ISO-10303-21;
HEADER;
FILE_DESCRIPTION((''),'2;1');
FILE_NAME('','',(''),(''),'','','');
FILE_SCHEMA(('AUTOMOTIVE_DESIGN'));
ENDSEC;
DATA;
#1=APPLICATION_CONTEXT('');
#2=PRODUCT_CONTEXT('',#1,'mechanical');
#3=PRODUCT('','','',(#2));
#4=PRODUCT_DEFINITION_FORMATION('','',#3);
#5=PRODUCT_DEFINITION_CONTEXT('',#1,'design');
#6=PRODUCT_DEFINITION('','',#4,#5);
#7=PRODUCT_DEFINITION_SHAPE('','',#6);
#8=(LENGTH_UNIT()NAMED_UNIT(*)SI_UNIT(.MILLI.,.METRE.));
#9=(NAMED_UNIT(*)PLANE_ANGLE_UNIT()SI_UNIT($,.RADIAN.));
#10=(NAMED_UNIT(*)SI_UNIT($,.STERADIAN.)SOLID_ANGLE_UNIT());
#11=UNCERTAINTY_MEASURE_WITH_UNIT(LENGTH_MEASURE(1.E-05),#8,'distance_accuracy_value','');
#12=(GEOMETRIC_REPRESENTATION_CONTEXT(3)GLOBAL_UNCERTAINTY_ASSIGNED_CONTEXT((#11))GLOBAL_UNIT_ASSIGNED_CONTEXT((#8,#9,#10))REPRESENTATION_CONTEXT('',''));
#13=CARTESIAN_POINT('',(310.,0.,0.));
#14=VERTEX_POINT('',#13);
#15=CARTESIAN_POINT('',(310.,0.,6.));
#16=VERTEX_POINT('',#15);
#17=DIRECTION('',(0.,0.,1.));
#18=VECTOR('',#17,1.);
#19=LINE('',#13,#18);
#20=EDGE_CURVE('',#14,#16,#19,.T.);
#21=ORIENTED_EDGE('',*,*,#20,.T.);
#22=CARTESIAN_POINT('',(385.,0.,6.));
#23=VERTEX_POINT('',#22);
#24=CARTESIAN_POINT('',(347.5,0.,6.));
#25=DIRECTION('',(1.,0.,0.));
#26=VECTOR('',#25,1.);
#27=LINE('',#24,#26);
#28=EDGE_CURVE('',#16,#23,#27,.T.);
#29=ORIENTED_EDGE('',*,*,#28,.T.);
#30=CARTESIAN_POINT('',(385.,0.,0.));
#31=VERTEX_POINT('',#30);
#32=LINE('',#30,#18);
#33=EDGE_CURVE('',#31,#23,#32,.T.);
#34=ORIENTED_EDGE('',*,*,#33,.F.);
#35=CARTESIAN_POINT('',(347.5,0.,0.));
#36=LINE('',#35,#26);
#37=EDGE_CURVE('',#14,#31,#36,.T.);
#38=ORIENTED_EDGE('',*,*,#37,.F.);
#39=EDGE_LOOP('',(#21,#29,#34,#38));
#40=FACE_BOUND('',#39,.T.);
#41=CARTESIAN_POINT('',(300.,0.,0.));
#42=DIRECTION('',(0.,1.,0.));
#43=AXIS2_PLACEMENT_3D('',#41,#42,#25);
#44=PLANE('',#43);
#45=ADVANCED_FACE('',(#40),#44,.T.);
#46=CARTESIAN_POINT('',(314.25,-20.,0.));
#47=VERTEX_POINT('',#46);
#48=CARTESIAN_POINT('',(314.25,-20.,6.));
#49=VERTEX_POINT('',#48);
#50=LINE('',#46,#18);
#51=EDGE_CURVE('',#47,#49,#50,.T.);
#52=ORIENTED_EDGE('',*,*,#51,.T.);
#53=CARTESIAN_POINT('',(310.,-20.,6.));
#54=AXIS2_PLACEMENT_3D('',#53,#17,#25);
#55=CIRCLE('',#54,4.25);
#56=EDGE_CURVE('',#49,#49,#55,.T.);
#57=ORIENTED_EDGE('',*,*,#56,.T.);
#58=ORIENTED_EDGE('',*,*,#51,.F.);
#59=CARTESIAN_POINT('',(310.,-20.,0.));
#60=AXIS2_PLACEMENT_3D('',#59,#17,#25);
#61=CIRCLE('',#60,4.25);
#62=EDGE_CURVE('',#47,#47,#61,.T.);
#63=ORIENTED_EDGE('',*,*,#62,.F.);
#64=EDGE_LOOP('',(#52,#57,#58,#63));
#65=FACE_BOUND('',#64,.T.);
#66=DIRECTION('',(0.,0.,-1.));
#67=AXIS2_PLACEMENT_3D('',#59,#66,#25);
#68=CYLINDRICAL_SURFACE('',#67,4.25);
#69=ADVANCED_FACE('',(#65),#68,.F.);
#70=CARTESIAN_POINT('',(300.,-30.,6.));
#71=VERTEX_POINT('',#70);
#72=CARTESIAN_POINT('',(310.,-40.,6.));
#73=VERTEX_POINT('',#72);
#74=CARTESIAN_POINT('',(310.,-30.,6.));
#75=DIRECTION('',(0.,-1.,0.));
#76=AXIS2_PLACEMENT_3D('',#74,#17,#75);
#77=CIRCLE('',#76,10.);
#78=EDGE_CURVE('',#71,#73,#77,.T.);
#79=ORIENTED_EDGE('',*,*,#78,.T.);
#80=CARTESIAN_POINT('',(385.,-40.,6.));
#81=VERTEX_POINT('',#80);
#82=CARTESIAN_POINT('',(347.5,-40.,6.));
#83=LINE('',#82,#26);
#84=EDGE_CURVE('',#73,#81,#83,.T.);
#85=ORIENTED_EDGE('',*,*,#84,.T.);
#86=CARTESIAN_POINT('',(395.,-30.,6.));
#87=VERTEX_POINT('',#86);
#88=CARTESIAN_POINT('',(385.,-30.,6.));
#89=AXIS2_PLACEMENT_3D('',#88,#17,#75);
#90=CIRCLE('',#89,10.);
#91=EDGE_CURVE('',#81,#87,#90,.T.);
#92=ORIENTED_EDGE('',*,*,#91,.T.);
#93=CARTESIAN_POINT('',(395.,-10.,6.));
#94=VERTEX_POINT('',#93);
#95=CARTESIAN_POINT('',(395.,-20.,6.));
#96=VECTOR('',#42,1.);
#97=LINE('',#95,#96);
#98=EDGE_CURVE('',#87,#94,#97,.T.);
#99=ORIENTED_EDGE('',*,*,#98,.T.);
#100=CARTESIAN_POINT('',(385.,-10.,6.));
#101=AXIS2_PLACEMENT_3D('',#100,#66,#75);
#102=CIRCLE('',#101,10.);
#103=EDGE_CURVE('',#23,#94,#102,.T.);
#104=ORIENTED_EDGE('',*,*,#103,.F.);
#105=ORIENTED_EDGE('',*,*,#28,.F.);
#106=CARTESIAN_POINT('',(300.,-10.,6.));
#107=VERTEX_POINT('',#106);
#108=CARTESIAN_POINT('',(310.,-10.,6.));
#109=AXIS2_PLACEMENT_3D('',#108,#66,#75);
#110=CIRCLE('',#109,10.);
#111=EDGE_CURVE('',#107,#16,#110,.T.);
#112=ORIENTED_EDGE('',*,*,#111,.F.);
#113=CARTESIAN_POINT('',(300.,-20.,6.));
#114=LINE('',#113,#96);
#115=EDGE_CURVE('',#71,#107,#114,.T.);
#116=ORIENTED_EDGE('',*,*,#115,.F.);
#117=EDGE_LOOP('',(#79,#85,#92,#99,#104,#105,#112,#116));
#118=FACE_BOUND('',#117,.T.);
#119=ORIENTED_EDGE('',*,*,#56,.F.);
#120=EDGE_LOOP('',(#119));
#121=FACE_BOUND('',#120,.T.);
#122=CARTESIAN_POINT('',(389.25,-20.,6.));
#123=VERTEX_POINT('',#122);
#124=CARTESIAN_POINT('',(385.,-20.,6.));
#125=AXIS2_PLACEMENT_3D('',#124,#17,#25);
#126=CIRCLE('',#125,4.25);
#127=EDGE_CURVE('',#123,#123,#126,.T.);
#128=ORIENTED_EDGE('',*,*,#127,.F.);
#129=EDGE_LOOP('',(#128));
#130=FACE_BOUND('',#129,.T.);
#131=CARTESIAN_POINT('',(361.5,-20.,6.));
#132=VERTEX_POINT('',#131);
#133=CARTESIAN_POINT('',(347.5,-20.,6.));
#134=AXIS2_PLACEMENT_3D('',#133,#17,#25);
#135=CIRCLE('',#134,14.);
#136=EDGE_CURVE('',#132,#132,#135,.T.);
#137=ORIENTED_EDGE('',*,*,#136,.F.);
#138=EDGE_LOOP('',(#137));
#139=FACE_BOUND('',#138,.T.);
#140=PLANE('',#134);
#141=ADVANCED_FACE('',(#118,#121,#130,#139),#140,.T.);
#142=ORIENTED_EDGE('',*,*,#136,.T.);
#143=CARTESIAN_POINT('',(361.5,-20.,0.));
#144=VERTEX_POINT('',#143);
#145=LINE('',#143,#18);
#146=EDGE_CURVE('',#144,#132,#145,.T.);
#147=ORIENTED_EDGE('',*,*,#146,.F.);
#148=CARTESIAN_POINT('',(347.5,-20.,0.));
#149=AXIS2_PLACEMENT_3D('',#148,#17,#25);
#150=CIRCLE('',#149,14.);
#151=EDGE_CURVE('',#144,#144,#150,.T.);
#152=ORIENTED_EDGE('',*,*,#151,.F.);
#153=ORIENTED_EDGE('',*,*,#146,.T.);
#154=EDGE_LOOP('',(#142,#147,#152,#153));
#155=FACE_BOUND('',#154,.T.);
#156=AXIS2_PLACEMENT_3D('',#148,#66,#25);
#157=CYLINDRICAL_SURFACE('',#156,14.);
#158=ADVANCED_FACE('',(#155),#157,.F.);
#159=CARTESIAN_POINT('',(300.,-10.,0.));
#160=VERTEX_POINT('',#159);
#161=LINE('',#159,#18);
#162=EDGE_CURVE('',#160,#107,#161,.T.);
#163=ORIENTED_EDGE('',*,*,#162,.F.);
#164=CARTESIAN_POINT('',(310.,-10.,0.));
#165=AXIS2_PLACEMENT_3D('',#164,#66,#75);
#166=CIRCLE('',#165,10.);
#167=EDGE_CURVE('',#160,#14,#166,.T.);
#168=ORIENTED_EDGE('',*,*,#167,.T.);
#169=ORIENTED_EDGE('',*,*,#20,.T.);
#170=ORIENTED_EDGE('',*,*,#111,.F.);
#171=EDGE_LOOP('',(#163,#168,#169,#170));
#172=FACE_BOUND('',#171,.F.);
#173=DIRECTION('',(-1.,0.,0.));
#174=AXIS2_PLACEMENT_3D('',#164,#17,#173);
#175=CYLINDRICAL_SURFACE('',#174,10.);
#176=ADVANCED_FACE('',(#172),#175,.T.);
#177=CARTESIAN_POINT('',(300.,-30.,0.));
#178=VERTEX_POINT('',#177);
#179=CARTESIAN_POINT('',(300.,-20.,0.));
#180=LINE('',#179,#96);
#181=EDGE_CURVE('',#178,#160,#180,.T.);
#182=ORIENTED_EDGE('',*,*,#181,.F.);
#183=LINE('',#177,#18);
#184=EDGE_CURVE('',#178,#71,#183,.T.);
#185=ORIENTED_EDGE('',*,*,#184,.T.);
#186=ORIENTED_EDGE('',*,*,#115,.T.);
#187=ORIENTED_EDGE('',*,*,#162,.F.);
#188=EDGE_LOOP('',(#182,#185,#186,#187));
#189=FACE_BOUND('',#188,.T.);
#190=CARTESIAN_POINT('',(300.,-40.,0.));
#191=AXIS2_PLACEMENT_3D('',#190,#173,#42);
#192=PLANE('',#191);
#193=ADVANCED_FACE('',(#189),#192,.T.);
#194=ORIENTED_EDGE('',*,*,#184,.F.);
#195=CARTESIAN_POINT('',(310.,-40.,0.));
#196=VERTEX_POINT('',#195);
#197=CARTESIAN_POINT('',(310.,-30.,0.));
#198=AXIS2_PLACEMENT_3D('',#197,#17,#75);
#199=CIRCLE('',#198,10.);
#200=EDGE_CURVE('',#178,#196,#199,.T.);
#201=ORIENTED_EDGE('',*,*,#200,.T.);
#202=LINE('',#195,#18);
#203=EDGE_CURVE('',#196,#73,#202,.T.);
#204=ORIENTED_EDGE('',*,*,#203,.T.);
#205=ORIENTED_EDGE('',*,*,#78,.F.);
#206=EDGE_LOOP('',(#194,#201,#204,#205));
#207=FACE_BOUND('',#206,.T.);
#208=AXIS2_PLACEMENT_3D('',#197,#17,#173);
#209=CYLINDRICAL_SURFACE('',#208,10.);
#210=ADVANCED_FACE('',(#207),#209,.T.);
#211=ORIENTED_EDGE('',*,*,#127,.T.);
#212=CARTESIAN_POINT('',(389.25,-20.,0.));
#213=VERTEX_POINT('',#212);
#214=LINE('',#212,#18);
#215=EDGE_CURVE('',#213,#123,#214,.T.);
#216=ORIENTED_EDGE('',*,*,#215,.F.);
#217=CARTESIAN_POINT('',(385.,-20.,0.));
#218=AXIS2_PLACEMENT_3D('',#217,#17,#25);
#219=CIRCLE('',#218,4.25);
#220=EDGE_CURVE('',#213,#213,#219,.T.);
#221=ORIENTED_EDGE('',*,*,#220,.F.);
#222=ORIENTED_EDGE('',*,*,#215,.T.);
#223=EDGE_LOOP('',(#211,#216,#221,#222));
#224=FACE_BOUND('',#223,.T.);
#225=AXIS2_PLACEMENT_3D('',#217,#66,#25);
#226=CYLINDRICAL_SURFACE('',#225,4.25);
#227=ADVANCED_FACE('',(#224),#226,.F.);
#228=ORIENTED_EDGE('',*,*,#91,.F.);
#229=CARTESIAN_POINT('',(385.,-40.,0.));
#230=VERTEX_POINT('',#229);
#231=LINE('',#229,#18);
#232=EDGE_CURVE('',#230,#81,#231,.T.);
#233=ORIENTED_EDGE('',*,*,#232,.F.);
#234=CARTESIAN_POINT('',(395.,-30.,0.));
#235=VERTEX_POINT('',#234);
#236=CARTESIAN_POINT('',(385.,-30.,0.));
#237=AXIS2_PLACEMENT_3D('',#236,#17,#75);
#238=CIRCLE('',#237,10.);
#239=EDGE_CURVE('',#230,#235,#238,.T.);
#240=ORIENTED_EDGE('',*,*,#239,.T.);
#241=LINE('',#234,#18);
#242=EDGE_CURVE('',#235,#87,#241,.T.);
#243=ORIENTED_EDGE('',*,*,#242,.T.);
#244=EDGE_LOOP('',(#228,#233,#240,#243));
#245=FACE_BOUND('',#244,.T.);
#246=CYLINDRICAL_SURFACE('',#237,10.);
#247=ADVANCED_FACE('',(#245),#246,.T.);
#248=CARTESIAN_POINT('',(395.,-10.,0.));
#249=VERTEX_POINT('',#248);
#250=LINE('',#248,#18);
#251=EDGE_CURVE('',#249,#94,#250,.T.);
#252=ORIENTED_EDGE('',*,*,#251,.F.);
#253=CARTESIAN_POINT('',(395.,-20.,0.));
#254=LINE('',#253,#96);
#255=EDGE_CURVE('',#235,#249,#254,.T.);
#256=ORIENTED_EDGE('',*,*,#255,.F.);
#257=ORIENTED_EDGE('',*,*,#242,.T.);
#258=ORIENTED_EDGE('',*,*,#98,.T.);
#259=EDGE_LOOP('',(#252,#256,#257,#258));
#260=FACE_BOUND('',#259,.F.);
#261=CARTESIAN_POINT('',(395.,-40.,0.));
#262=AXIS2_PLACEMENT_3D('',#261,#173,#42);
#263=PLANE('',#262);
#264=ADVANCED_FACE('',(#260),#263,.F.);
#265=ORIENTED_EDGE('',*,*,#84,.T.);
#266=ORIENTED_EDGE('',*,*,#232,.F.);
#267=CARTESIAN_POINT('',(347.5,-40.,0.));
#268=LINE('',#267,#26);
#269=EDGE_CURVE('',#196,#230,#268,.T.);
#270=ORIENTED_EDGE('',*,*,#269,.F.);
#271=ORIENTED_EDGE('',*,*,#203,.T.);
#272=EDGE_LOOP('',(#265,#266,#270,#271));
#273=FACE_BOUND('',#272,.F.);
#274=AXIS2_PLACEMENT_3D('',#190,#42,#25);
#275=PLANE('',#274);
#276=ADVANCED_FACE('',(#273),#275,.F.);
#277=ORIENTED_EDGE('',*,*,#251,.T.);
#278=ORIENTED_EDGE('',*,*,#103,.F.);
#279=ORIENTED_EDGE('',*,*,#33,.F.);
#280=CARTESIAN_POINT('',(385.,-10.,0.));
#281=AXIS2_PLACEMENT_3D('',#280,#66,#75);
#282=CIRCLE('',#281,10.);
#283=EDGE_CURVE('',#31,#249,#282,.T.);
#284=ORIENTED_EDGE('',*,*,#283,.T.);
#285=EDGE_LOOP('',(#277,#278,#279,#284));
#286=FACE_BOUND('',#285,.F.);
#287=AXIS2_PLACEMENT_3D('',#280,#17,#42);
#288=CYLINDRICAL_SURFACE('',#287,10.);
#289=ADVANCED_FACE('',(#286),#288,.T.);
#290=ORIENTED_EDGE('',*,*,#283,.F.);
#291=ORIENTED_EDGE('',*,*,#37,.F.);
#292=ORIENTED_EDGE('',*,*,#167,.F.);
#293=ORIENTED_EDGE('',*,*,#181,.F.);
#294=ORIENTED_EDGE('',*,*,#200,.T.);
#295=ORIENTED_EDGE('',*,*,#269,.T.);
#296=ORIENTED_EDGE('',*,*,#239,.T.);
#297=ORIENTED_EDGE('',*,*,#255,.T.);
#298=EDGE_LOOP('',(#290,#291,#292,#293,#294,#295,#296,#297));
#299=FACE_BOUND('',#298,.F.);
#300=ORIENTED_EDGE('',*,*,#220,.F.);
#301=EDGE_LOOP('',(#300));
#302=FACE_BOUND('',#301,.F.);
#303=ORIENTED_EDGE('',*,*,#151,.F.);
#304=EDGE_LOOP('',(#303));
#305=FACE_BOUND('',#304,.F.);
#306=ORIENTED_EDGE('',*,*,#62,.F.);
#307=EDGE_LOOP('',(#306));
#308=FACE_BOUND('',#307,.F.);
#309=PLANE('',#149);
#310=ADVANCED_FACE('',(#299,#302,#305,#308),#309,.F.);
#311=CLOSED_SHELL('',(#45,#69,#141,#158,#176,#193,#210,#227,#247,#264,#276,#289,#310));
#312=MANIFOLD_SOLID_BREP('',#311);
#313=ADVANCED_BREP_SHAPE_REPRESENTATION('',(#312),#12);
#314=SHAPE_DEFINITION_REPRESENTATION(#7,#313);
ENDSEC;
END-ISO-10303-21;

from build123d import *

# Parameters (mm, degrees)
SKETCH1_W           = 95
SKETCH1_H           = 40
SKETCH1_R           = 14
SKETCH1_R_2         = 4.25
BOSS_EXTRUDE1_DEPTH = 6
FILLET1_R           = 10


with BuildPart() as part:
    # Sketch1 → Boss-Extrude1 (new body)
    with BuildSketch(Plane.XY):
        with Locations((347.5, -20)):
            Rectangle(SKETCH1_W, SKETCH1_H)
        with Locations((347.5, -20)):
            Circle(SKETCH1_R, mode=Mode.SUBTRACT)
        with Locations((385, -20)):
            Circle(SKETCH1_R_2, mode=Mode.SUBTRACT)
        with Locations((310, -20)):
            Circle(SKETCH1_R_2, mode=Mode.SUBTRACT)
    extrude(amount=BOSS_EXTRUDE1_DEPTH)

    # Fillet1
    fillet1_edges = [part.edges().sort_by_distance(p)[0] for p in [
        (395, -40, 3),
        (300, -40, 3),
        (300, 0, 3),
        (395, 0, 3),
    ]]
    fillet(fillet1_edges, radius=FILLET1_R)


solid = part.part
